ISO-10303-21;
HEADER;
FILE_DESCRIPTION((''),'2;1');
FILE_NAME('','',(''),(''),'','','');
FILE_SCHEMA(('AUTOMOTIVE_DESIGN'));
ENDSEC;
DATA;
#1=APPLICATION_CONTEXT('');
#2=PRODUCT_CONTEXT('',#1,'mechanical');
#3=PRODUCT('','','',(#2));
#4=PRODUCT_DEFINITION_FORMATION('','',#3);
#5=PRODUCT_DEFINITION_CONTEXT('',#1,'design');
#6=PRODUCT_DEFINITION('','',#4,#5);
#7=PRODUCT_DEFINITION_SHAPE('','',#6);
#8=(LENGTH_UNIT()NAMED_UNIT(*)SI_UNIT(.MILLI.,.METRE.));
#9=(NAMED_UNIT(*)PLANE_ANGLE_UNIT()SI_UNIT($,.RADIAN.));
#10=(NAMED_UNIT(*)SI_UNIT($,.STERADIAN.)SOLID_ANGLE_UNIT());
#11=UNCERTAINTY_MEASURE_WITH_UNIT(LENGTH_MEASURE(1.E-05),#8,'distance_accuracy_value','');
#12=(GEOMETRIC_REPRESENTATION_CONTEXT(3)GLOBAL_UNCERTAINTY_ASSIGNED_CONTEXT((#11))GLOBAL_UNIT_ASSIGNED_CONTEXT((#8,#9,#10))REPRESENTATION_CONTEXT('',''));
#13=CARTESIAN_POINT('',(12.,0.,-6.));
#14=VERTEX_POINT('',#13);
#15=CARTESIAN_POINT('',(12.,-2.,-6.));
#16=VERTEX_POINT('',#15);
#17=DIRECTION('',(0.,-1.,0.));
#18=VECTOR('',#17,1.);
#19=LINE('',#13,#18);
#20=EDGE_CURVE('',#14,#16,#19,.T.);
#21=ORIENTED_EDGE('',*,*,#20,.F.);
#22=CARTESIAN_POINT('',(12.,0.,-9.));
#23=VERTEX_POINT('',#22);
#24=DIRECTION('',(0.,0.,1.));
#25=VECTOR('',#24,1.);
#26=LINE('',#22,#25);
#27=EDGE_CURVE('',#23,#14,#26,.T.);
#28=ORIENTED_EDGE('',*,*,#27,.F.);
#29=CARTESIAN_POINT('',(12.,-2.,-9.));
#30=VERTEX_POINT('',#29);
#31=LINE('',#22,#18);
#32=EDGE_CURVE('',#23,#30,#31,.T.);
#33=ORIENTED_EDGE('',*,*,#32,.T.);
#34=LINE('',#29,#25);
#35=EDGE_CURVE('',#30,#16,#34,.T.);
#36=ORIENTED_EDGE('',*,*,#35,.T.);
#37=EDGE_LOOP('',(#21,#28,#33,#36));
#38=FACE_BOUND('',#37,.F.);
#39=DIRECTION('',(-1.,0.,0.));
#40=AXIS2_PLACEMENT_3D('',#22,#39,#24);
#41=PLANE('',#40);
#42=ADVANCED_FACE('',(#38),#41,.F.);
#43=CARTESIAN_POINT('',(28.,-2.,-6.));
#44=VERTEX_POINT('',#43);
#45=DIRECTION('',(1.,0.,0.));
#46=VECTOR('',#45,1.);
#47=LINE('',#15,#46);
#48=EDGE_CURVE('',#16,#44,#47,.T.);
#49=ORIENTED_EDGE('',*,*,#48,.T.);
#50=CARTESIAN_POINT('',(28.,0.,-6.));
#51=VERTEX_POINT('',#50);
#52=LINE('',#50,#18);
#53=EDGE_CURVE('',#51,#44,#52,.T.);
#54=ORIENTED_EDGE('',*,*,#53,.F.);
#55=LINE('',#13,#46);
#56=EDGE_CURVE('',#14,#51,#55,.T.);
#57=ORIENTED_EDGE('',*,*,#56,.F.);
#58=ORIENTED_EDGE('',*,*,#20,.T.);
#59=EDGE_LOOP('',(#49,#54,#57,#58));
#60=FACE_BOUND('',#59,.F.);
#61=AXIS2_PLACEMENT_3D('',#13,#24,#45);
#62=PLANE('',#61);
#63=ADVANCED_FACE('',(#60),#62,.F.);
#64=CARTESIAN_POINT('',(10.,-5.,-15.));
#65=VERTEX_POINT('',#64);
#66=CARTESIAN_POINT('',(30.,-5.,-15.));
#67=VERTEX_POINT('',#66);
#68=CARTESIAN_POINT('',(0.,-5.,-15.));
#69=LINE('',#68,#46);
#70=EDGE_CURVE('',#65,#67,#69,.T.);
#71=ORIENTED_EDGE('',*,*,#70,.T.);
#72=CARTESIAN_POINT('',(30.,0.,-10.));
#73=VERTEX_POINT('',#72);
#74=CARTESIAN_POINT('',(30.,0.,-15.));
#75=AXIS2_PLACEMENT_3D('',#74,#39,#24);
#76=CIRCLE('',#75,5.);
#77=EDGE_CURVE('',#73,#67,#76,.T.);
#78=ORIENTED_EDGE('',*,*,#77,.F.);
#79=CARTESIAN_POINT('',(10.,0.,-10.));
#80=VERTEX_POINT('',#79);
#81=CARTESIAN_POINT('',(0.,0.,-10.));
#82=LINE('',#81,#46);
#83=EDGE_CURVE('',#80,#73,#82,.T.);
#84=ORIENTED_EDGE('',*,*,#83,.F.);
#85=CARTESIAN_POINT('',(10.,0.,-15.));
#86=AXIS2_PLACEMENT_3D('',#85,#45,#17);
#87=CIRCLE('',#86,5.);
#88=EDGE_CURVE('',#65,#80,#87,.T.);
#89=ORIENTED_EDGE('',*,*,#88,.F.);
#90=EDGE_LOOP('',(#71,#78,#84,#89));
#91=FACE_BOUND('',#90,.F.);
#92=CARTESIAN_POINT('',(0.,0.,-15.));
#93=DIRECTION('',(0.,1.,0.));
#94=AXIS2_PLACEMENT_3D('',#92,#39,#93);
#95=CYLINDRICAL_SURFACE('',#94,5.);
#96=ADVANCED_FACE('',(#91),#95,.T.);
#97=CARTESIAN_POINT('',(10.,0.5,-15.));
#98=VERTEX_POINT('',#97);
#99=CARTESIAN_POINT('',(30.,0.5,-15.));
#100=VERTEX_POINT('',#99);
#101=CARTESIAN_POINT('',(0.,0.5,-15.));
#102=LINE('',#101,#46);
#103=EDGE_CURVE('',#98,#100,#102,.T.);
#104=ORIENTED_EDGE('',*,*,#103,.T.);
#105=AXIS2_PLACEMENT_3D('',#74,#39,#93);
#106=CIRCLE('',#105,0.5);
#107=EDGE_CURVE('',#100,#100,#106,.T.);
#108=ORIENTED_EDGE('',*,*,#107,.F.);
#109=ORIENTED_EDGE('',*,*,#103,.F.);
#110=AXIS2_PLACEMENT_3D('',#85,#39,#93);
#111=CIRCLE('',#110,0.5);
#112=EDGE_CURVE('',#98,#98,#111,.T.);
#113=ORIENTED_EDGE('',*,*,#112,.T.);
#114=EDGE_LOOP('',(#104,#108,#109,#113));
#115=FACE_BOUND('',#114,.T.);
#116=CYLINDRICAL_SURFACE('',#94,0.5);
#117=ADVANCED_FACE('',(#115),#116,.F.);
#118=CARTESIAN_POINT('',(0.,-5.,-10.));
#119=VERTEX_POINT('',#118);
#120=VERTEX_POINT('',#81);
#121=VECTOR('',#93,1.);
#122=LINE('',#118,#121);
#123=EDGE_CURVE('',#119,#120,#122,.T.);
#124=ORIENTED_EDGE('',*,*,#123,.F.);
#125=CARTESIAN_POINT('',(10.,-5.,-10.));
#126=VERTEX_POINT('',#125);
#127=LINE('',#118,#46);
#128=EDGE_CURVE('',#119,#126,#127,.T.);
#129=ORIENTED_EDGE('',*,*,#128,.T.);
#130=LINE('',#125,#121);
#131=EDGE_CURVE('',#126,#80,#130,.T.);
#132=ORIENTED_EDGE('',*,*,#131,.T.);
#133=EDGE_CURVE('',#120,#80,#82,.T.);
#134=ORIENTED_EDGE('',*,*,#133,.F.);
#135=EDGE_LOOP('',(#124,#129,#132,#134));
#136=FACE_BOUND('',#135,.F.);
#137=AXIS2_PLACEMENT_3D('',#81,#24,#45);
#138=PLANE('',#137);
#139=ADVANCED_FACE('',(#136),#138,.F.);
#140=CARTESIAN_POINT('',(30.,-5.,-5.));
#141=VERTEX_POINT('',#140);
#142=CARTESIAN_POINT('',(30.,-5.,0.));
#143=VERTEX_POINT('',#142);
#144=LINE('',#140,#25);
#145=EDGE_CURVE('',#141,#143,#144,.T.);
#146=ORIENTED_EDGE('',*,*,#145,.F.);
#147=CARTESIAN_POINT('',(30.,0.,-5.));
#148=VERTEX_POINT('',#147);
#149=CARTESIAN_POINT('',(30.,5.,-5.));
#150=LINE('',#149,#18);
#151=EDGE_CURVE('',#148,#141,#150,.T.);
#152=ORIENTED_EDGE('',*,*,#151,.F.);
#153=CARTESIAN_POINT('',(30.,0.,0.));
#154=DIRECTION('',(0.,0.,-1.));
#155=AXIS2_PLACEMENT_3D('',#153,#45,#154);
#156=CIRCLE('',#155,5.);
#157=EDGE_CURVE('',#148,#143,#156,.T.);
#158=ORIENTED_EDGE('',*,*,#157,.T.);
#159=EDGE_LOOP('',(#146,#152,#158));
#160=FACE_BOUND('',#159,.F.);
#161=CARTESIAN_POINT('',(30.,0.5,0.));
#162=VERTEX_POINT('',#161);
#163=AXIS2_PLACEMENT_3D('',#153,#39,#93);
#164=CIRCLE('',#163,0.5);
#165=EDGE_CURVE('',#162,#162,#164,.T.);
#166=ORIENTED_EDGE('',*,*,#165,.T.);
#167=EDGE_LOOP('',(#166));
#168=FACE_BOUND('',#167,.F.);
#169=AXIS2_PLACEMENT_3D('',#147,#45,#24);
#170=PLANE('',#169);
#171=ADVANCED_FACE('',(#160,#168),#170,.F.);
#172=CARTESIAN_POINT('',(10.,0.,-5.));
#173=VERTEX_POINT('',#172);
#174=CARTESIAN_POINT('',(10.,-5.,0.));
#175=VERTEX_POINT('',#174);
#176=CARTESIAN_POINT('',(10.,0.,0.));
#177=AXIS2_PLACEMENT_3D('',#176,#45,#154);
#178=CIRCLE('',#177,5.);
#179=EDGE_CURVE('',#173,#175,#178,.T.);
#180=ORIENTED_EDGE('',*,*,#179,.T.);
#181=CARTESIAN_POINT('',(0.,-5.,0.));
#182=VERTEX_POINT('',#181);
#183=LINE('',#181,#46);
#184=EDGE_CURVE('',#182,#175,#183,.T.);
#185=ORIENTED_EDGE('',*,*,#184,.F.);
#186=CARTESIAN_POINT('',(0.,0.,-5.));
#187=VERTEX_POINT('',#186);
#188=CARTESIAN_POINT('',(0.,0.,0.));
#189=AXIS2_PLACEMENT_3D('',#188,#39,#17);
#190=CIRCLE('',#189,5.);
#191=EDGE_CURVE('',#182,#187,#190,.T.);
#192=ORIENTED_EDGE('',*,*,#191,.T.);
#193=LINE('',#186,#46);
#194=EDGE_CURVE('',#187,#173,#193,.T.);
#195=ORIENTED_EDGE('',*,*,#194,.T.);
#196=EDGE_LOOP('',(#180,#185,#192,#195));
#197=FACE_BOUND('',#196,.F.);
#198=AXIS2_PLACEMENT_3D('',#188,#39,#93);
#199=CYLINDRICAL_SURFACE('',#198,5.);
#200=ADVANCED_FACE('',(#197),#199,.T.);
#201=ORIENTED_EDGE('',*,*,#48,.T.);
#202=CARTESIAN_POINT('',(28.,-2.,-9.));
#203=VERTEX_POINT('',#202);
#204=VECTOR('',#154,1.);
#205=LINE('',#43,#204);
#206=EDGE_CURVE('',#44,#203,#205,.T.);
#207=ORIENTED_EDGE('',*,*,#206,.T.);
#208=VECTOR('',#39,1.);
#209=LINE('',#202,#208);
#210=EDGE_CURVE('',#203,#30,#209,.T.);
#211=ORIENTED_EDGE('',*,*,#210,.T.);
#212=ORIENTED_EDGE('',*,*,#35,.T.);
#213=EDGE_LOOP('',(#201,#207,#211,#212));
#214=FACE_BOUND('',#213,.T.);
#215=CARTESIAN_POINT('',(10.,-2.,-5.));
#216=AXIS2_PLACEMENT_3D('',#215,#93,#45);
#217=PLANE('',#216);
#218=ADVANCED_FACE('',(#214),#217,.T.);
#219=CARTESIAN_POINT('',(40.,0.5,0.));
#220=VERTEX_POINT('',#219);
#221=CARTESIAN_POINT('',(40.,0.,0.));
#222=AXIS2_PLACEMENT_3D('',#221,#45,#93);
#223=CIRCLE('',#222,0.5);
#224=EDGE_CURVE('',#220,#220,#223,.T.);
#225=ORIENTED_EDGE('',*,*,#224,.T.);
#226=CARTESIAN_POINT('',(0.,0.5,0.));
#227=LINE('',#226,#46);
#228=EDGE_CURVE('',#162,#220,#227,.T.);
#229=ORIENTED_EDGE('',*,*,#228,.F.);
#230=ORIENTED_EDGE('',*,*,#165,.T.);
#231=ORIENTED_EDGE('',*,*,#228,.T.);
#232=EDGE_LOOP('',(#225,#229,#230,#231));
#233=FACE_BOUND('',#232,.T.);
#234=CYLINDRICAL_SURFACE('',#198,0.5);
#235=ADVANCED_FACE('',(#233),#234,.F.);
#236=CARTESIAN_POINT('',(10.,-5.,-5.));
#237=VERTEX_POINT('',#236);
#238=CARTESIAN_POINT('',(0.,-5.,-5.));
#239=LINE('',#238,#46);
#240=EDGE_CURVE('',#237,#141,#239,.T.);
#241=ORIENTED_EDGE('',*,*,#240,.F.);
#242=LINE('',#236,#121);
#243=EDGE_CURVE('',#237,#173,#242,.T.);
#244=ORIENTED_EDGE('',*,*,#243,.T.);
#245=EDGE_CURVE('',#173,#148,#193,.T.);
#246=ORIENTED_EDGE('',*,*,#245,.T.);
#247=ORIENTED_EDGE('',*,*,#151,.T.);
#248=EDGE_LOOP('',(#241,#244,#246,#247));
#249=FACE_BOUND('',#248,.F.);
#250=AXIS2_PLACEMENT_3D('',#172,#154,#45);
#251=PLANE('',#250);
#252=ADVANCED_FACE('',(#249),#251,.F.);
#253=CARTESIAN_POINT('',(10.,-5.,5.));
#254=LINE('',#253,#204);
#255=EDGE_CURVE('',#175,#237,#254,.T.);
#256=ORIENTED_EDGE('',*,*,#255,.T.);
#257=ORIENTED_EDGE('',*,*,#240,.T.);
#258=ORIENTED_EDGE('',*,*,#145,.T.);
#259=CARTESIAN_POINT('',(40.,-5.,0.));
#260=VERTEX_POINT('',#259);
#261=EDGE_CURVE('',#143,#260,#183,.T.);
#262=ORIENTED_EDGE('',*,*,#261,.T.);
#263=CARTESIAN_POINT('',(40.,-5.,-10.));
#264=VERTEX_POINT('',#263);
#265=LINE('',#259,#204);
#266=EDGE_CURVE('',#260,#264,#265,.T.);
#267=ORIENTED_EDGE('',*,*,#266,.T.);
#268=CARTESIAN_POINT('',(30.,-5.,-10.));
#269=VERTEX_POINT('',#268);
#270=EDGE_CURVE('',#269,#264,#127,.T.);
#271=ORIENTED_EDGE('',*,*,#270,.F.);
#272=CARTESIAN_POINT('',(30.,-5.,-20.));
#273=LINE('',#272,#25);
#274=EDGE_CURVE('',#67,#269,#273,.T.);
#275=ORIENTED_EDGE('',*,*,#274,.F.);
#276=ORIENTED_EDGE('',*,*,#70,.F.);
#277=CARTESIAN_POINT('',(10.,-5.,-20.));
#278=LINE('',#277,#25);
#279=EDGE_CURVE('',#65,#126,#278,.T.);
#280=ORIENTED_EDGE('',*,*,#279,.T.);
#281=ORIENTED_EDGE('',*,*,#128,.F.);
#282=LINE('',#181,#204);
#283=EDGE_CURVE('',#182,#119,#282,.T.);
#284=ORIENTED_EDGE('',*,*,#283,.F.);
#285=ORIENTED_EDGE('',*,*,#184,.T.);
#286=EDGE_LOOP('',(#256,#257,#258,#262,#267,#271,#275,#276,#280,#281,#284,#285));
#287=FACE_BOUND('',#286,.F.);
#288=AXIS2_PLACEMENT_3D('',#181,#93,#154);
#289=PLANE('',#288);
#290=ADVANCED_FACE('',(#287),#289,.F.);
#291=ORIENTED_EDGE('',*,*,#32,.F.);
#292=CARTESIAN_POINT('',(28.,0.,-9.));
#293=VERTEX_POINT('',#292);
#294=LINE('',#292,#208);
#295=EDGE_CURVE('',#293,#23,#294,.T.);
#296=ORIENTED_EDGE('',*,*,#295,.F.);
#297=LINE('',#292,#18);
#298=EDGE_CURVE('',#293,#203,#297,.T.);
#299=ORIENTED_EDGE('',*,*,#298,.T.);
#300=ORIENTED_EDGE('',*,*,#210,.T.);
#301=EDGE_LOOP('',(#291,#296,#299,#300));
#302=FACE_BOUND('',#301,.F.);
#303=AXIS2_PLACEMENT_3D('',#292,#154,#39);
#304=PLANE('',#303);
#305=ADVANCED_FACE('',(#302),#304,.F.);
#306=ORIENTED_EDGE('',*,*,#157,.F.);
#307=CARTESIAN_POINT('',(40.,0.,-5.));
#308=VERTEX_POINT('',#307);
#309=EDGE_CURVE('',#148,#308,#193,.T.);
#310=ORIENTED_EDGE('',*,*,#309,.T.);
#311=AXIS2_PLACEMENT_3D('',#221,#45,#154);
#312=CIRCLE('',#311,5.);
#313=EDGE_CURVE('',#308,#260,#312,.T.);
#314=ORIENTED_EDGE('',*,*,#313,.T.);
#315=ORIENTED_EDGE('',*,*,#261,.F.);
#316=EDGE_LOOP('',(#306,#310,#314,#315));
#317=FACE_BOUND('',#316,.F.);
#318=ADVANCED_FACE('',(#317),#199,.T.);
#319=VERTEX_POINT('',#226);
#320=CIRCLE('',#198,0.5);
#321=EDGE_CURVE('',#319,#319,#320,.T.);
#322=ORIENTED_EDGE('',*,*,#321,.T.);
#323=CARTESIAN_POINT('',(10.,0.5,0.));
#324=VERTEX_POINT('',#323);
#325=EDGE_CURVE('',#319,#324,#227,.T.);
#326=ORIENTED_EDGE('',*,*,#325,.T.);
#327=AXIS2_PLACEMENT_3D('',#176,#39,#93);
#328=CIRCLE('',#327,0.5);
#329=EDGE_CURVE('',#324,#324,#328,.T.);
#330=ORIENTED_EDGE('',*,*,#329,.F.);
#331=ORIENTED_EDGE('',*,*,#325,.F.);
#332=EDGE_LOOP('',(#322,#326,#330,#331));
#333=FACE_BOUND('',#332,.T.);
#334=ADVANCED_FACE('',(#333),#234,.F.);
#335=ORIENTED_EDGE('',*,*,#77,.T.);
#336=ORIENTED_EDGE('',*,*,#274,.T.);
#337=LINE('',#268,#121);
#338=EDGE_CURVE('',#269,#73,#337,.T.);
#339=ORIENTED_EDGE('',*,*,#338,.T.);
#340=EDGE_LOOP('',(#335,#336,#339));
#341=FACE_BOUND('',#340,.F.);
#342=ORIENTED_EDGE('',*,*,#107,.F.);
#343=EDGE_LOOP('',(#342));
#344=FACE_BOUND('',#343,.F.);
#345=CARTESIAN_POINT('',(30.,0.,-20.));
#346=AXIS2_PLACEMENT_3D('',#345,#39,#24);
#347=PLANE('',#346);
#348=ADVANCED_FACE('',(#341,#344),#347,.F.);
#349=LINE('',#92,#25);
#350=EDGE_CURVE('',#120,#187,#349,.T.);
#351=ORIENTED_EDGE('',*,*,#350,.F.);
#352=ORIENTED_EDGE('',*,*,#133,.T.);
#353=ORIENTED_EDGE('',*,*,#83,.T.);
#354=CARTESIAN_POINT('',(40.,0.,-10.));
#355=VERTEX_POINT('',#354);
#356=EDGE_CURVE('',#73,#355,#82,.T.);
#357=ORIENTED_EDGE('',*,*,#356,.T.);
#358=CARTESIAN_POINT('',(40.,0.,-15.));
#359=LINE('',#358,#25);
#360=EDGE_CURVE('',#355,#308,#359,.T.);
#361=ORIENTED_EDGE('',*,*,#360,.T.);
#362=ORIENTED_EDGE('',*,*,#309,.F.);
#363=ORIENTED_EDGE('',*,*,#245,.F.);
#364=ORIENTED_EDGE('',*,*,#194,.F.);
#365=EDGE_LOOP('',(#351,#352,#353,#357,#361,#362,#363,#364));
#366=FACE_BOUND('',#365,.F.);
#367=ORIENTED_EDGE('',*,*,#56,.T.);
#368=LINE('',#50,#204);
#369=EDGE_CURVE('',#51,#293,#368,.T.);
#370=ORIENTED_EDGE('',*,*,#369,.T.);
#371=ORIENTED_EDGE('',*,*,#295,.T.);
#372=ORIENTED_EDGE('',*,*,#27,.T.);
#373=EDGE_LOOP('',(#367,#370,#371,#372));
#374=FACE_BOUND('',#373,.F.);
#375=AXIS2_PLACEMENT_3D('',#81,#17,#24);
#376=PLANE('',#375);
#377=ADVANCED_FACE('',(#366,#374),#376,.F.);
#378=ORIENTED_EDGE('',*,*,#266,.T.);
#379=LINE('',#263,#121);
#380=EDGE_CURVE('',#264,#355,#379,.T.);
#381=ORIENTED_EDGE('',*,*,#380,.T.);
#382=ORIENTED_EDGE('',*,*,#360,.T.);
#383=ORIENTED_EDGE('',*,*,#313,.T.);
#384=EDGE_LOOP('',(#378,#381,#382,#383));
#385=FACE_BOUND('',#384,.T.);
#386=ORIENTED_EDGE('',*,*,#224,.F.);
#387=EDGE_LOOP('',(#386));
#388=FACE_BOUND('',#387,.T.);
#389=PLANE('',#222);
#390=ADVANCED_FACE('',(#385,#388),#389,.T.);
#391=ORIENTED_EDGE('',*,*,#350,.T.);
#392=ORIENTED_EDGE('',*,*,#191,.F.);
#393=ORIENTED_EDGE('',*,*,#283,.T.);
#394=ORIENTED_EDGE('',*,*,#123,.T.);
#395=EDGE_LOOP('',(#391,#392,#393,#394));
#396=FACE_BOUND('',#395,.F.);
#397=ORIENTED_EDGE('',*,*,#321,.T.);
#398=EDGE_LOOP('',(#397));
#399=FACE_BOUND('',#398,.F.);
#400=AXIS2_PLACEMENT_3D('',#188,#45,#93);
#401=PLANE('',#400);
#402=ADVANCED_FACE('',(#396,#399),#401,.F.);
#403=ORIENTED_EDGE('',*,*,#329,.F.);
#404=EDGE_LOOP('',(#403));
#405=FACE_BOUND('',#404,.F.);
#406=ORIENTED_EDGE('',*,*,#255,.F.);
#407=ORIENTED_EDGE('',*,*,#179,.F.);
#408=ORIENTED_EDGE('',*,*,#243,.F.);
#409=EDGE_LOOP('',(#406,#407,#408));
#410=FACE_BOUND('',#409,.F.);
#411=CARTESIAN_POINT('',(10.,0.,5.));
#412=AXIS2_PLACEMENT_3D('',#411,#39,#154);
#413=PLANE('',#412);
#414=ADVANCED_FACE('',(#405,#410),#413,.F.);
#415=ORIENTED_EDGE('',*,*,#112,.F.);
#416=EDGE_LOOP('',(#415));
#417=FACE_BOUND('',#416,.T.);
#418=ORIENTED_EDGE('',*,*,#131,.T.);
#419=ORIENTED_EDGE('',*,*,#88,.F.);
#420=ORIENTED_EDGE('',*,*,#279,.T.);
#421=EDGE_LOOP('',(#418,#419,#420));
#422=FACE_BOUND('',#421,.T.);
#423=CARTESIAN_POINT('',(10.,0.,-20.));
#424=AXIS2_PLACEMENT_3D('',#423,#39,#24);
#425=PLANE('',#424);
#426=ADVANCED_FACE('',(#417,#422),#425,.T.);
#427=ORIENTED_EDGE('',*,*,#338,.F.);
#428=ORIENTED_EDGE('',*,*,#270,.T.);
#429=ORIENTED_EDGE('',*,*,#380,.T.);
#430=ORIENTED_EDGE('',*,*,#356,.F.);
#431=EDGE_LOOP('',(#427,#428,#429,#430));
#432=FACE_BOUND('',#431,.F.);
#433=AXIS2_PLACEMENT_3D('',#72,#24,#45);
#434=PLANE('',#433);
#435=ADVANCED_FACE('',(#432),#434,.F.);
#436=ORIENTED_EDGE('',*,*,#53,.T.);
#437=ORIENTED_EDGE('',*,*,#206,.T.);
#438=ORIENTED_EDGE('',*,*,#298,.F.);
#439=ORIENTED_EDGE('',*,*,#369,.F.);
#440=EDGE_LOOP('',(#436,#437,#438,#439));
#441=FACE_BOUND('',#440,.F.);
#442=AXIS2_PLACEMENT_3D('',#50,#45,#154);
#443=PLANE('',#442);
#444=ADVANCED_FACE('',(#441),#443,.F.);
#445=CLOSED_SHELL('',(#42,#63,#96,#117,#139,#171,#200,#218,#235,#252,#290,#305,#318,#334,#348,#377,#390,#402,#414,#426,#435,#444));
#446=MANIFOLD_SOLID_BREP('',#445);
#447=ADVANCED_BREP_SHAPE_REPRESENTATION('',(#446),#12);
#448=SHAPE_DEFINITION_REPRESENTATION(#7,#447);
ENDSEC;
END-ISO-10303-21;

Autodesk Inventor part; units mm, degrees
ref_plane "YZ Plane" through (0, 0, 0) normal (1, 0, 0) x (0, 1, 0)
ref_plane "XZ Plane" through (0, 0, 0) normal (0, 1, 0) x (-1, 0, 0)
ref_plane "XY Plane" through (0, 0, 0) normal (0, 0, 1) x (1, 0, 0)
sketch "Эскиз1" plane through (0, 0, 0) normal (1, 0, 0) x (0, 1, 0)
  line L0 (0, 0) -> (-5, 0)
  line L1 (-5, 0) -> (-5, -15)
  line L2 (-5, -15) -> (0, -15)
  line L3 (0, -15) -> (0, 0)
  circle A0 centre (0, 0) radius 5
  circle A1 centre (0, -15) radius 5
  circle A2 centre (0, 0) radius 0.5
  circle A3 centre (0, -15) radius 0.5
  point P0 (0, -5)
  point P1 (0, -10)
  dimension "d0" = 5
  dimension "d1" = 15
  dimension "d4" = 1
  dimension "d5" = 1
extrude "Выдавливание1" add sketch "Эскиз1" along normal blind 40 contours A2 L3 A0 L0 | L0 A0 L3 A2 | A0 L3 A1 L1 | A1 L3 A3 L2 | L2 A3 L3 A1
sketch "Эскиз2" plane through (0, 0, -5) normal (0, 1, 0) x (1, 0, 0)
  line L0 (0, 0) -> (40, 0) projected
  line L1 (0, -10) -> (40, -10) projected
  line L2 (10, 0) -> (30, 0)
  line L3 (30, 0) -> (30, -10)
  line L4 (30, -10) -> (10, -10)
  line L5 (10, -10) -> (10, 0)
  line L6 (0, 5) -> (0, 0) projected
  line L7 (40, 5) -> (40, 0) projected
  point P0 (0, -5)
  dimension "d6" = 10
  dimension "d7" = 10
extrude "Выдавливание2" cut sketch "Эскиз2" along normal mid plane 10
sketch "Эскиз3" plane through (0, 0, -5) normal (0, 1, 0) x (1, 0, 0)
  line L0 (0, 5) -> (40, 5) projected
  line L1 (0, 15) -> (40, 15) projected
  line L2 (10, 5) -> (0, 5)
  line L3 (0, 5) -> (0, 15)
  line L4 (0, 15) -> (10, 15)
  line L5 (10, 15) -> (10, 5)
  line L6 (40, 5) -> (40, 15) projected
  line L7 (30, 5) -> (40, 5)
  line L8 (40, 5) -> (40, 15)
  line L9 (40, 15) -> (30, 15)
  line L10 (30, 15) -> (30, 5)
  line L11 (40, 5) -> (40, 0) projected
  line L12 (0, 5) -> (0, 0) projected
  point P0 (0, -5)
  point P1 (40, 10)
  point P2 (10, 15)
  dimension "d10" = 10
  dimension "d11" = 10
extrude "Выдавливание3" cut sketch "Эскиз3" against normal mid plane 10 contours L3 L1 L5 L0 | L10 L1 L6 L0
sketch "Эскиз10" plane through (10, 0, -5) normal (0, 1, 0) x (1, 0, 0)
  line L0 (2, 1) -> (18, 1)
  line L1 (18, 1) -> (18, 4)
  line L2 (18, 4) -> (2, 4)
  line L3 (2, 4) -> (2, 1)
  line L4 (20, -10) -> (20, 0) projected
  line L5 (0, 5) -> (0, 15) projected
  line L6 (0, 0) -> (20, 0) projected
  line L7 (-10, 5) -> (0, 5) projected
  point P0 (-10, -5)
  point P1 (20, -5)
  point P2 (0, 10)
  dimension "d37" = 2
  dimension "d38" = 2
  dimension "d39" = 1
  dimension "d40" = 1
extrude "Выдавливание9" cut sketch "Эскиз10" against normal blind 2
properties part number "фаланга гусеницы"
